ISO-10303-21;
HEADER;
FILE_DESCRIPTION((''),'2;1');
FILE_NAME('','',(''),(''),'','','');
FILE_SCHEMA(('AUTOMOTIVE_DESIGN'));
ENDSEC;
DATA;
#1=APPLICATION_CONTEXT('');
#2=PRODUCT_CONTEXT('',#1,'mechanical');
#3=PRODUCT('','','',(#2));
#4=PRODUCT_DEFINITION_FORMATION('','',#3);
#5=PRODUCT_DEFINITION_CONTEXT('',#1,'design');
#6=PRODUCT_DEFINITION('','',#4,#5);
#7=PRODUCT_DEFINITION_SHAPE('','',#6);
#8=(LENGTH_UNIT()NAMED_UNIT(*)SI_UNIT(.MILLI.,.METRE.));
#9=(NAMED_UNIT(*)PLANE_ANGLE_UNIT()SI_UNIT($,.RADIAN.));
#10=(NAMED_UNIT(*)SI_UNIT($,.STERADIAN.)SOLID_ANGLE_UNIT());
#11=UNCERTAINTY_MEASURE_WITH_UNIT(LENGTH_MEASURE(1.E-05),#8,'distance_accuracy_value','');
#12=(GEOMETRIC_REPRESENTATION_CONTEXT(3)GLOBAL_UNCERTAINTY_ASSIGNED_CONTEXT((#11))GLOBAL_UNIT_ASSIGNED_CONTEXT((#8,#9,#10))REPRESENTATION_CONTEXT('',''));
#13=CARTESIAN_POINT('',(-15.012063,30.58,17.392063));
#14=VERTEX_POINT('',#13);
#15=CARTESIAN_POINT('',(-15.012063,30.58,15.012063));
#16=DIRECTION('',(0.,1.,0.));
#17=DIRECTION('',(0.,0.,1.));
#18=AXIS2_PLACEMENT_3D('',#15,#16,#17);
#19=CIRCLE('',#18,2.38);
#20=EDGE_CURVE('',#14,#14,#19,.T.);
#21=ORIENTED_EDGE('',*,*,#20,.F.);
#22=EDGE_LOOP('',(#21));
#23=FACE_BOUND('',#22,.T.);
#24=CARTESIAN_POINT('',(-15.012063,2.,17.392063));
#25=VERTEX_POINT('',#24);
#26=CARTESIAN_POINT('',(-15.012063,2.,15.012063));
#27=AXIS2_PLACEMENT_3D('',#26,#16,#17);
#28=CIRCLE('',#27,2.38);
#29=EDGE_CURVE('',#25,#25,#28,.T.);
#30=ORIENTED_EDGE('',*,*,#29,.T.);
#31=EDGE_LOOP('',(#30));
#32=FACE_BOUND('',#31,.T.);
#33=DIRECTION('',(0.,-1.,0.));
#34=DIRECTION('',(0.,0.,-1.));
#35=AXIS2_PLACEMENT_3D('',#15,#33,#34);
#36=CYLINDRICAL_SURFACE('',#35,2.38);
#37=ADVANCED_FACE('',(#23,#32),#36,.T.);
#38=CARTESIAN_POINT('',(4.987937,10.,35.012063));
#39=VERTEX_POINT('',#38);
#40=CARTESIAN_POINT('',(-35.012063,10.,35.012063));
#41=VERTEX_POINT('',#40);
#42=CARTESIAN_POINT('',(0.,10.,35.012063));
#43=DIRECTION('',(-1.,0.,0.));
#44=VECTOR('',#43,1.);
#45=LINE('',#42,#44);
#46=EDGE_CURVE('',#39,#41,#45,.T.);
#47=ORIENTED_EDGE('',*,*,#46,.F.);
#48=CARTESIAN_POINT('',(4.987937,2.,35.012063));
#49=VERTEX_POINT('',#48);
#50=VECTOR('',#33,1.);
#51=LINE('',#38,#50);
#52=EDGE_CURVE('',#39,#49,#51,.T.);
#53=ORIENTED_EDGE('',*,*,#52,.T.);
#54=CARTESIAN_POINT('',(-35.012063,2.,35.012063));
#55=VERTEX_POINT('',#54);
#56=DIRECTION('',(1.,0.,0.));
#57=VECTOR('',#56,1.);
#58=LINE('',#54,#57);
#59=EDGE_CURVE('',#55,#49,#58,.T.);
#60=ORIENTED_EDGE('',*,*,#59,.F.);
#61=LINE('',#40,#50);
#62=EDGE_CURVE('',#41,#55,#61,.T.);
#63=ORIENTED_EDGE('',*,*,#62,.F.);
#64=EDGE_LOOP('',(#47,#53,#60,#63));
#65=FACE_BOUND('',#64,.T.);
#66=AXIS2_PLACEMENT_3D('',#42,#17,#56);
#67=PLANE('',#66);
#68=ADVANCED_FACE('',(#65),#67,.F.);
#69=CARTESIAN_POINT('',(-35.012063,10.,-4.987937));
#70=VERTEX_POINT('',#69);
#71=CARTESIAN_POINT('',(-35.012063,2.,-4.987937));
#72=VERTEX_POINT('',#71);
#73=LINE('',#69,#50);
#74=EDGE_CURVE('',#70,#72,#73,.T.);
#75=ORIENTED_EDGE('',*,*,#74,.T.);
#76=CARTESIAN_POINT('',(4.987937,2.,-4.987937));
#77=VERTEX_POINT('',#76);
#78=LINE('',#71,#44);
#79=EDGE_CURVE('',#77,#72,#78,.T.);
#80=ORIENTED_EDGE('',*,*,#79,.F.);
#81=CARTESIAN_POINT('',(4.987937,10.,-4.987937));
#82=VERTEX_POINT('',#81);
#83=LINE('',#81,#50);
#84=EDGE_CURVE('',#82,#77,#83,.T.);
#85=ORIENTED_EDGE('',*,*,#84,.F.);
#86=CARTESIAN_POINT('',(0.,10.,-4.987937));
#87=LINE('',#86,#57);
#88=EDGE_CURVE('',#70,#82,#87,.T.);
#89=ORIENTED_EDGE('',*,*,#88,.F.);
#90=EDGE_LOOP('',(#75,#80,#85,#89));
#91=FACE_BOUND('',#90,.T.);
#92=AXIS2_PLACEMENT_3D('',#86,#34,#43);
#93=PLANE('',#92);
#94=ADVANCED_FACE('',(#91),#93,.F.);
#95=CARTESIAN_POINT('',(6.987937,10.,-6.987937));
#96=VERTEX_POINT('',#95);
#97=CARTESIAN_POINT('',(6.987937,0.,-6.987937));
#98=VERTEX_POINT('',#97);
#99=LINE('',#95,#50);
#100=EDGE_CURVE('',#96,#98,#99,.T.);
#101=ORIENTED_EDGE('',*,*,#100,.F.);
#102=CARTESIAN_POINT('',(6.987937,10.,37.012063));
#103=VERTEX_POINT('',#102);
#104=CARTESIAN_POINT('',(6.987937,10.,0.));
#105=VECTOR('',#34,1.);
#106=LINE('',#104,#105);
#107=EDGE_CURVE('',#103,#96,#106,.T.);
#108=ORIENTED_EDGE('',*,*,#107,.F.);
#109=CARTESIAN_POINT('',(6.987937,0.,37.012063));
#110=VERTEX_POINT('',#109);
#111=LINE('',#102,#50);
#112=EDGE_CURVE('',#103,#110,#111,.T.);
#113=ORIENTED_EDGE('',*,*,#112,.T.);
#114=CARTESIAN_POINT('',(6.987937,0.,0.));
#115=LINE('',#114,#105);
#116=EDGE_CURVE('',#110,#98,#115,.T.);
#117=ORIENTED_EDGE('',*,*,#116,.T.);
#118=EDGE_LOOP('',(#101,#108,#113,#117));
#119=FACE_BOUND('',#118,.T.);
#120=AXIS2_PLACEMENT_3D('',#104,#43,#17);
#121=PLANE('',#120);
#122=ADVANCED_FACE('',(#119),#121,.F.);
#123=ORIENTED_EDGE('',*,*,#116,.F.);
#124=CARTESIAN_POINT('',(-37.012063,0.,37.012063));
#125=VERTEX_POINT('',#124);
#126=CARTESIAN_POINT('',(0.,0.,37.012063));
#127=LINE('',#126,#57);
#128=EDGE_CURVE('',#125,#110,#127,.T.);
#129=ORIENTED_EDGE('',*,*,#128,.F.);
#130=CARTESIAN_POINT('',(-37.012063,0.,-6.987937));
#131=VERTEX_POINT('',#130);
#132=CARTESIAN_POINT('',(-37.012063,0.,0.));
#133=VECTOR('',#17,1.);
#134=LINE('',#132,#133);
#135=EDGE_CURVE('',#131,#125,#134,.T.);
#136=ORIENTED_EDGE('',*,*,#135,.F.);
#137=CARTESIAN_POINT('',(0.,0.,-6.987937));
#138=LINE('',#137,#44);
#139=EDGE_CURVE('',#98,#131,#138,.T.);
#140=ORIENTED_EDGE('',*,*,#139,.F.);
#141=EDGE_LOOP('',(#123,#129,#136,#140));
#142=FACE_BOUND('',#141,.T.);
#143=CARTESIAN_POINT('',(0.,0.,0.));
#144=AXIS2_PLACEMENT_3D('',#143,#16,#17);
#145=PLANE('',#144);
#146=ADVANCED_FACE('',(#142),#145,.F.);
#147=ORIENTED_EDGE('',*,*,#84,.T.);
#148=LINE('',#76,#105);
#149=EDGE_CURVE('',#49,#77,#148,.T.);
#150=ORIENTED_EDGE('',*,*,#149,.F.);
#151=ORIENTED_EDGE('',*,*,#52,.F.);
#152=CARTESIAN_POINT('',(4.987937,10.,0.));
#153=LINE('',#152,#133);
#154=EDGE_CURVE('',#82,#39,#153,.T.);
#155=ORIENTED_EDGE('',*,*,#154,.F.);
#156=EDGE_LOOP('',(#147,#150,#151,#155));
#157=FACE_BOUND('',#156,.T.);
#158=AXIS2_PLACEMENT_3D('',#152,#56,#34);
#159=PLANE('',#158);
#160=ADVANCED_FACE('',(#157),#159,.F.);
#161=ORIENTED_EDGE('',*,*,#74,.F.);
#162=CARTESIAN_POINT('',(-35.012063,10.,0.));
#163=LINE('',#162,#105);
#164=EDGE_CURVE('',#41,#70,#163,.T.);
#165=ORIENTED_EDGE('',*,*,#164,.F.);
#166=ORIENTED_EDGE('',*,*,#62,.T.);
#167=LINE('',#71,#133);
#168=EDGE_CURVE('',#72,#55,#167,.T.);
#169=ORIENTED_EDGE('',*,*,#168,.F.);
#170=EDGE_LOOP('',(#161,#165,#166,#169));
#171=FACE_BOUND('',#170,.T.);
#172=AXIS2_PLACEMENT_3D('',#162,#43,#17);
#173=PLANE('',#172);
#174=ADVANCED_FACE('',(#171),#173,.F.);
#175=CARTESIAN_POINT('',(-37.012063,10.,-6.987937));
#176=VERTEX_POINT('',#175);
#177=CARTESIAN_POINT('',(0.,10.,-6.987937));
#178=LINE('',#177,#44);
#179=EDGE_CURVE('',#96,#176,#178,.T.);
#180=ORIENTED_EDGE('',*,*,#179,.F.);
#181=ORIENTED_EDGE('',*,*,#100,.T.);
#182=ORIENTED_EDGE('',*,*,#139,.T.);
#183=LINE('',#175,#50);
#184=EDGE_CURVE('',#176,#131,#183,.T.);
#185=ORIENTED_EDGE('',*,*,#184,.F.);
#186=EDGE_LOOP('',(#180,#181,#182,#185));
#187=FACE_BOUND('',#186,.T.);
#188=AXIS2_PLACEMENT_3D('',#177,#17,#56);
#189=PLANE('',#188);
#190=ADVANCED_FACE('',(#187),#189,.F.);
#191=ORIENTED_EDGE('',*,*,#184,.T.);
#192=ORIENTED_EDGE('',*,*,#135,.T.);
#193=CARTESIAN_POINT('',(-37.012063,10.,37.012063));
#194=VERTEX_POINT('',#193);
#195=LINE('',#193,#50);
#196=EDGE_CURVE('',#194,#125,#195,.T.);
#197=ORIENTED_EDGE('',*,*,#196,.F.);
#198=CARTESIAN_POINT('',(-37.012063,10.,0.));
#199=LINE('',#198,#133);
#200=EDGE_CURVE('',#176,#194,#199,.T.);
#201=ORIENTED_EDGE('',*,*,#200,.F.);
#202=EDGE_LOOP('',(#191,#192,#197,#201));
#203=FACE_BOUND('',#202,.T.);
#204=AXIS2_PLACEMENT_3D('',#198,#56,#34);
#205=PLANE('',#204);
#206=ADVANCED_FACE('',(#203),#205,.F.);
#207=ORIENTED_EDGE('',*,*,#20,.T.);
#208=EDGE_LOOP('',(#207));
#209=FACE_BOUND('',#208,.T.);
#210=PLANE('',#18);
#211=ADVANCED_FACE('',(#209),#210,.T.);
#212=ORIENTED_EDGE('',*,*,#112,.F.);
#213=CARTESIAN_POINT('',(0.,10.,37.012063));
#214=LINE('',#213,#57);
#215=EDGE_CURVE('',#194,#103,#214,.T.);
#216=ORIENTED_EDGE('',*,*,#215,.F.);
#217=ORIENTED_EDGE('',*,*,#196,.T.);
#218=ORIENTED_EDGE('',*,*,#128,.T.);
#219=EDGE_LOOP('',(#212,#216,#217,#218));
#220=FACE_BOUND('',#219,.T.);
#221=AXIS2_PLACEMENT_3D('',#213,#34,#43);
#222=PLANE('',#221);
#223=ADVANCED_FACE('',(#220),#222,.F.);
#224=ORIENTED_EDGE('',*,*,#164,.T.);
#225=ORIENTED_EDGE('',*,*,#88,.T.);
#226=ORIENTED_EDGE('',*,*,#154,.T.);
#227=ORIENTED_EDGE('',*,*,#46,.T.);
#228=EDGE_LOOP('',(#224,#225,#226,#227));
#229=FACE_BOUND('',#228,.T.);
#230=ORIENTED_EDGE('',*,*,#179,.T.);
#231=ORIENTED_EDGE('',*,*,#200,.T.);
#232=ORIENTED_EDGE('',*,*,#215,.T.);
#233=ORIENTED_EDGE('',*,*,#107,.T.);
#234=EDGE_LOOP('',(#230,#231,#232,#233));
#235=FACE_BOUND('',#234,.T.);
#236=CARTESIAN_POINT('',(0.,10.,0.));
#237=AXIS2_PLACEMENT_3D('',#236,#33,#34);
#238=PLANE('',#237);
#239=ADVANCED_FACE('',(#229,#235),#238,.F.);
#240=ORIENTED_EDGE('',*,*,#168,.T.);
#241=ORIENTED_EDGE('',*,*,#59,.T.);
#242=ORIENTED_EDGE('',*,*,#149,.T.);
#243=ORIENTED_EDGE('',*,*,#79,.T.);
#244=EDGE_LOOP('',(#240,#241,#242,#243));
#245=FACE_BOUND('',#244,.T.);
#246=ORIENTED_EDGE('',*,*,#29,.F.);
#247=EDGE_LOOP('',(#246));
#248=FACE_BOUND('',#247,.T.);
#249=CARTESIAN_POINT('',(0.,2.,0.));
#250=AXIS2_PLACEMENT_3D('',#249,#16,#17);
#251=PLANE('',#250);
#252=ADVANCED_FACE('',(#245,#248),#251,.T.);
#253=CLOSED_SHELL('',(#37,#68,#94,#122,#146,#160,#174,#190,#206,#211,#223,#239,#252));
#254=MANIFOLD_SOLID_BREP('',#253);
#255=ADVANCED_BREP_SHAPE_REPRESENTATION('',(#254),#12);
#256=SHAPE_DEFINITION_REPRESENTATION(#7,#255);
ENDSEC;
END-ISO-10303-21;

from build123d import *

# Parameters (mm, degrees)
ESBO_O1_W                = 40
ESBO_O1_H                = 40
RESSALTO_EXTRUS_O1_DEPTH = 2
ESBO_O2_W                = 40
ESBO_O2_H                = 40
RESSALTO_EXTRUS_O2_DEPTH = 10
ESBO_O3_R                = 2.38
RESSALTO_EXTRUS_O3_DEPTH = 28.58


with BuildPart() as part:
    # Esboço1 → Ressalto-extrusão1 (new body)
    with BuildSketch(Plane(origin=(0, 0, 0), x_dir=(1, 0, 0), z_dir=(0, 1, 0))):
        with Locations((-15.012062533, -15.012062533)):
            Rectangle(ESBO_O1_W, ESBO_O1_H)
    extrude(amount=RESSALTO_EXTRUS_O1_DEPTH)

    # Esboço2 → Ressalto-extrusão2 (add)
    with BuildSketch(Plane.XZ):
        Polygon((-37.012062533, 37.012062533), (-37.012062533, 35.012062533), (-37.012062533, -6.987937467), (-35.012062533, -6.987937467), (6.987937467, -6.987937467), (6.987937467, -4.987937467), (6.987937467, 37.012062533), (4.987937467, 37.012062533), align=None)
        with Locations((-15.012062533, 15.012062533)):
            Rectangle(ESBO_O2_W, ESBO_O2_H, mode=Mode.SUBTRACT)
    extrude(amount=-RESSALTO_EXTRUS_O2_DEPTH)

    # Esboço3 → Ressalto-extrusão3 (add)
    with BuildSketch(Plane(origin=(0, 2, 0), x_dir=(1, 0, 0), z_dir=(0, 1, 0))):
        with Locations(Location((-15.012062533, -15.012062533, 0), (0, 0, 270))):
            Circle(ESBO_O3_R)
    extrude(amount=RESSALTO_EXTRUS_O3_DEPTH)


solid = part.part
